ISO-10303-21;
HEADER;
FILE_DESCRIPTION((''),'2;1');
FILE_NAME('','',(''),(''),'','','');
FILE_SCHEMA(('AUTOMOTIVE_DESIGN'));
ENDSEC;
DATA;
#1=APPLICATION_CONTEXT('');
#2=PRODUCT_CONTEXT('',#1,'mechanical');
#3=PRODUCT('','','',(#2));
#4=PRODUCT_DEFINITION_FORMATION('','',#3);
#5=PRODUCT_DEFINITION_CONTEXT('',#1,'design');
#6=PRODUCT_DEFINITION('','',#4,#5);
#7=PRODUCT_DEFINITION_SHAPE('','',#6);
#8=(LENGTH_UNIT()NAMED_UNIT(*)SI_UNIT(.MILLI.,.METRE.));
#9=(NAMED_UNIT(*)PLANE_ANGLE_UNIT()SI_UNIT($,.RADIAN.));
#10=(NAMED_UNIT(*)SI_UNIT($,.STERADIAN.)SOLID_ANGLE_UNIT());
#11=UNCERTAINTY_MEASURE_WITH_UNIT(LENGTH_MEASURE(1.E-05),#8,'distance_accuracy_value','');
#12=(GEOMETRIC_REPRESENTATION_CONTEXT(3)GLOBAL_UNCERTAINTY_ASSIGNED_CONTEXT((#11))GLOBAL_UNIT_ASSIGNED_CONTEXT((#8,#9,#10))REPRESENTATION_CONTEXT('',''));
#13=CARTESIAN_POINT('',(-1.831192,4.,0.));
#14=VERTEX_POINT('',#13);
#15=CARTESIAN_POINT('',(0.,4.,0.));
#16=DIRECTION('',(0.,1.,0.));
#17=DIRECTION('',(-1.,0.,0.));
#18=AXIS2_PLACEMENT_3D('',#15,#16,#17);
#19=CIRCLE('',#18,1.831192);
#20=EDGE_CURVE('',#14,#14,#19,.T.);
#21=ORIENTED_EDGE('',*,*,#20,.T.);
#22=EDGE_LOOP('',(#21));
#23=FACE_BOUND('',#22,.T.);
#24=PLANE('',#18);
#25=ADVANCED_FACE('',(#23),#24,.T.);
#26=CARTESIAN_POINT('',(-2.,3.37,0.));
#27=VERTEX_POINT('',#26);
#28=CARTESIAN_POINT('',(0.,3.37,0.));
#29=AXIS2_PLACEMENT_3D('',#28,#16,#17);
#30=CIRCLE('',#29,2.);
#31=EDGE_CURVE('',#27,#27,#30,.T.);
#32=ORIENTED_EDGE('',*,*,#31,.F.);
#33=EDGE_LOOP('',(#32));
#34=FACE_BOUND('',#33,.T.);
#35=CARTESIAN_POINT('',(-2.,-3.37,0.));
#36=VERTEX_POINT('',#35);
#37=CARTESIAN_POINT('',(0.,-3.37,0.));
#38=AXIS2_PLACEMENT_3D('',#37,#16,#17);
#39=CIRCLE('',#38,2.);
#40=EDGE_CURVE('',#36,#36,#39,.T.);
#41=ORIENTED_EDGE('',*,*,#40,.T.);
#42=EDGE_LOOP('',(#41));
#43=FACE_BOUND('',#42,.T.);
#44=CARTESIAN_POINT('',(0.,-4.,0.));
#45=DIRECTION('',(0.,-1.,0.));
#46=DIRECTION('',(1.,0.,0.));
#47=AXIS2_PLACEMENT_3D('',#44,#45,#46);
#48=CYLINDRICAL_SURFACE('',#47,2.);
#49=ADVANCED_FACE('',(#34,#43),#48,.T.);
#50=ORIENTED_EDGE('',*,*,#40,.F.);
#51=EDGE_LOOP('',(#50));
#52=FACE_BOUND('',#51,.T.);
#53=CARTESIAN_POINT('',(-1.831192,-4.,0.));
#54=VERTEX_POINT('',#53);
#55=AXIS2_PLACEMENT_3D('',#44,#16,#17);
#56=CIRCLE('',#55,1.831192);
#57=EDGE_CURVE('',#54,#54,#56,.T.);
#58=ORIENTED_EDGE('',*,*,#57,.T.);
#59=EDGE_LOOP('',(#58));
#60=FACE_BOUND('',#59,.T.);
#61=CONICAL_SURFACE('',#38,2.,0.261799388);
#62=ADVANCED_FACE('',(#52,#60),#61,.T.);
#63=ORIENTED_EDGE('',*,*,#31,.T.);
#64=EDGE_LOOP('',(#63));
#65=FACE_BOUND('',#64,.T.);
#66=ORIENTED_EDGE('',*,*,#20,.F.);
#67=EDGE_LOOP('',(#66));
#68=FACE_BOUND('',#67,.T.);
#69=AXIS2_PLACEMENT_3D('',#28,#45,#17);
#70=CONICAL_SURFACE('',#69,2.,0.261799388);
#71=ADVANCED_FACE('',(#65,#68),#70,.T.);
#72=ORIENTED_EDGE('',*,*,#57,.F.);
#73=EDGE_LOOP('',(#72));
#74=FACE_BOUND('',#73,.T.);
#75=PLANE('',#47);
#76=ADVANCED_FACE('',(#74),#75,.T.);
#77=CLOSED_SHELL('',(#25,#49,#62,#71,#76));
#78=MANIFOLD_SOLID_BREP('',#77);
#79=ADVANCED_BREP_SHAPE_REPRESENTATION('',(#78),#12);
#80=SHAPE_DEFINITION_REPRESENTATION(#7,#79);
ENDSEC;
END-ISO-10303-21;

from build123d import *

# Parameters (mm, degrees)
SKETCH_1_W = 2
SKETCH_1_H = 8


with BuildPart() as part:
    # 草图1 → 旋转1 (revolve)
    with BuildSketch(Plane.XY):
        with Locations((1, 0)):
            Rectangle(SKETCH_1_W, SKETCH_1_H)
    revolve(axis=Axis((0, -4, 0), (0, 1, 0)))

    # 草图2 → 切除-旋转1 (revolve, cut)
    with BuildSketch(Plane.XY):
        Polygon((1.831192009, -4), (2, -3.37), (2.1, -3.37), (2.1, -4.1), (1.831192009, -4.1), align=None)
    cut_revolve_1 = revolve(axis=Axis((0, 0, 0), (0, -1, 0)), mode=Mode.SUBTRACT)

    # 镜向1: 切除-旋转1 across plane
    add(cut_revolve_1.mirror(Plane.ZX), mode=Mode.SUBTRACT)


solid = part.part
